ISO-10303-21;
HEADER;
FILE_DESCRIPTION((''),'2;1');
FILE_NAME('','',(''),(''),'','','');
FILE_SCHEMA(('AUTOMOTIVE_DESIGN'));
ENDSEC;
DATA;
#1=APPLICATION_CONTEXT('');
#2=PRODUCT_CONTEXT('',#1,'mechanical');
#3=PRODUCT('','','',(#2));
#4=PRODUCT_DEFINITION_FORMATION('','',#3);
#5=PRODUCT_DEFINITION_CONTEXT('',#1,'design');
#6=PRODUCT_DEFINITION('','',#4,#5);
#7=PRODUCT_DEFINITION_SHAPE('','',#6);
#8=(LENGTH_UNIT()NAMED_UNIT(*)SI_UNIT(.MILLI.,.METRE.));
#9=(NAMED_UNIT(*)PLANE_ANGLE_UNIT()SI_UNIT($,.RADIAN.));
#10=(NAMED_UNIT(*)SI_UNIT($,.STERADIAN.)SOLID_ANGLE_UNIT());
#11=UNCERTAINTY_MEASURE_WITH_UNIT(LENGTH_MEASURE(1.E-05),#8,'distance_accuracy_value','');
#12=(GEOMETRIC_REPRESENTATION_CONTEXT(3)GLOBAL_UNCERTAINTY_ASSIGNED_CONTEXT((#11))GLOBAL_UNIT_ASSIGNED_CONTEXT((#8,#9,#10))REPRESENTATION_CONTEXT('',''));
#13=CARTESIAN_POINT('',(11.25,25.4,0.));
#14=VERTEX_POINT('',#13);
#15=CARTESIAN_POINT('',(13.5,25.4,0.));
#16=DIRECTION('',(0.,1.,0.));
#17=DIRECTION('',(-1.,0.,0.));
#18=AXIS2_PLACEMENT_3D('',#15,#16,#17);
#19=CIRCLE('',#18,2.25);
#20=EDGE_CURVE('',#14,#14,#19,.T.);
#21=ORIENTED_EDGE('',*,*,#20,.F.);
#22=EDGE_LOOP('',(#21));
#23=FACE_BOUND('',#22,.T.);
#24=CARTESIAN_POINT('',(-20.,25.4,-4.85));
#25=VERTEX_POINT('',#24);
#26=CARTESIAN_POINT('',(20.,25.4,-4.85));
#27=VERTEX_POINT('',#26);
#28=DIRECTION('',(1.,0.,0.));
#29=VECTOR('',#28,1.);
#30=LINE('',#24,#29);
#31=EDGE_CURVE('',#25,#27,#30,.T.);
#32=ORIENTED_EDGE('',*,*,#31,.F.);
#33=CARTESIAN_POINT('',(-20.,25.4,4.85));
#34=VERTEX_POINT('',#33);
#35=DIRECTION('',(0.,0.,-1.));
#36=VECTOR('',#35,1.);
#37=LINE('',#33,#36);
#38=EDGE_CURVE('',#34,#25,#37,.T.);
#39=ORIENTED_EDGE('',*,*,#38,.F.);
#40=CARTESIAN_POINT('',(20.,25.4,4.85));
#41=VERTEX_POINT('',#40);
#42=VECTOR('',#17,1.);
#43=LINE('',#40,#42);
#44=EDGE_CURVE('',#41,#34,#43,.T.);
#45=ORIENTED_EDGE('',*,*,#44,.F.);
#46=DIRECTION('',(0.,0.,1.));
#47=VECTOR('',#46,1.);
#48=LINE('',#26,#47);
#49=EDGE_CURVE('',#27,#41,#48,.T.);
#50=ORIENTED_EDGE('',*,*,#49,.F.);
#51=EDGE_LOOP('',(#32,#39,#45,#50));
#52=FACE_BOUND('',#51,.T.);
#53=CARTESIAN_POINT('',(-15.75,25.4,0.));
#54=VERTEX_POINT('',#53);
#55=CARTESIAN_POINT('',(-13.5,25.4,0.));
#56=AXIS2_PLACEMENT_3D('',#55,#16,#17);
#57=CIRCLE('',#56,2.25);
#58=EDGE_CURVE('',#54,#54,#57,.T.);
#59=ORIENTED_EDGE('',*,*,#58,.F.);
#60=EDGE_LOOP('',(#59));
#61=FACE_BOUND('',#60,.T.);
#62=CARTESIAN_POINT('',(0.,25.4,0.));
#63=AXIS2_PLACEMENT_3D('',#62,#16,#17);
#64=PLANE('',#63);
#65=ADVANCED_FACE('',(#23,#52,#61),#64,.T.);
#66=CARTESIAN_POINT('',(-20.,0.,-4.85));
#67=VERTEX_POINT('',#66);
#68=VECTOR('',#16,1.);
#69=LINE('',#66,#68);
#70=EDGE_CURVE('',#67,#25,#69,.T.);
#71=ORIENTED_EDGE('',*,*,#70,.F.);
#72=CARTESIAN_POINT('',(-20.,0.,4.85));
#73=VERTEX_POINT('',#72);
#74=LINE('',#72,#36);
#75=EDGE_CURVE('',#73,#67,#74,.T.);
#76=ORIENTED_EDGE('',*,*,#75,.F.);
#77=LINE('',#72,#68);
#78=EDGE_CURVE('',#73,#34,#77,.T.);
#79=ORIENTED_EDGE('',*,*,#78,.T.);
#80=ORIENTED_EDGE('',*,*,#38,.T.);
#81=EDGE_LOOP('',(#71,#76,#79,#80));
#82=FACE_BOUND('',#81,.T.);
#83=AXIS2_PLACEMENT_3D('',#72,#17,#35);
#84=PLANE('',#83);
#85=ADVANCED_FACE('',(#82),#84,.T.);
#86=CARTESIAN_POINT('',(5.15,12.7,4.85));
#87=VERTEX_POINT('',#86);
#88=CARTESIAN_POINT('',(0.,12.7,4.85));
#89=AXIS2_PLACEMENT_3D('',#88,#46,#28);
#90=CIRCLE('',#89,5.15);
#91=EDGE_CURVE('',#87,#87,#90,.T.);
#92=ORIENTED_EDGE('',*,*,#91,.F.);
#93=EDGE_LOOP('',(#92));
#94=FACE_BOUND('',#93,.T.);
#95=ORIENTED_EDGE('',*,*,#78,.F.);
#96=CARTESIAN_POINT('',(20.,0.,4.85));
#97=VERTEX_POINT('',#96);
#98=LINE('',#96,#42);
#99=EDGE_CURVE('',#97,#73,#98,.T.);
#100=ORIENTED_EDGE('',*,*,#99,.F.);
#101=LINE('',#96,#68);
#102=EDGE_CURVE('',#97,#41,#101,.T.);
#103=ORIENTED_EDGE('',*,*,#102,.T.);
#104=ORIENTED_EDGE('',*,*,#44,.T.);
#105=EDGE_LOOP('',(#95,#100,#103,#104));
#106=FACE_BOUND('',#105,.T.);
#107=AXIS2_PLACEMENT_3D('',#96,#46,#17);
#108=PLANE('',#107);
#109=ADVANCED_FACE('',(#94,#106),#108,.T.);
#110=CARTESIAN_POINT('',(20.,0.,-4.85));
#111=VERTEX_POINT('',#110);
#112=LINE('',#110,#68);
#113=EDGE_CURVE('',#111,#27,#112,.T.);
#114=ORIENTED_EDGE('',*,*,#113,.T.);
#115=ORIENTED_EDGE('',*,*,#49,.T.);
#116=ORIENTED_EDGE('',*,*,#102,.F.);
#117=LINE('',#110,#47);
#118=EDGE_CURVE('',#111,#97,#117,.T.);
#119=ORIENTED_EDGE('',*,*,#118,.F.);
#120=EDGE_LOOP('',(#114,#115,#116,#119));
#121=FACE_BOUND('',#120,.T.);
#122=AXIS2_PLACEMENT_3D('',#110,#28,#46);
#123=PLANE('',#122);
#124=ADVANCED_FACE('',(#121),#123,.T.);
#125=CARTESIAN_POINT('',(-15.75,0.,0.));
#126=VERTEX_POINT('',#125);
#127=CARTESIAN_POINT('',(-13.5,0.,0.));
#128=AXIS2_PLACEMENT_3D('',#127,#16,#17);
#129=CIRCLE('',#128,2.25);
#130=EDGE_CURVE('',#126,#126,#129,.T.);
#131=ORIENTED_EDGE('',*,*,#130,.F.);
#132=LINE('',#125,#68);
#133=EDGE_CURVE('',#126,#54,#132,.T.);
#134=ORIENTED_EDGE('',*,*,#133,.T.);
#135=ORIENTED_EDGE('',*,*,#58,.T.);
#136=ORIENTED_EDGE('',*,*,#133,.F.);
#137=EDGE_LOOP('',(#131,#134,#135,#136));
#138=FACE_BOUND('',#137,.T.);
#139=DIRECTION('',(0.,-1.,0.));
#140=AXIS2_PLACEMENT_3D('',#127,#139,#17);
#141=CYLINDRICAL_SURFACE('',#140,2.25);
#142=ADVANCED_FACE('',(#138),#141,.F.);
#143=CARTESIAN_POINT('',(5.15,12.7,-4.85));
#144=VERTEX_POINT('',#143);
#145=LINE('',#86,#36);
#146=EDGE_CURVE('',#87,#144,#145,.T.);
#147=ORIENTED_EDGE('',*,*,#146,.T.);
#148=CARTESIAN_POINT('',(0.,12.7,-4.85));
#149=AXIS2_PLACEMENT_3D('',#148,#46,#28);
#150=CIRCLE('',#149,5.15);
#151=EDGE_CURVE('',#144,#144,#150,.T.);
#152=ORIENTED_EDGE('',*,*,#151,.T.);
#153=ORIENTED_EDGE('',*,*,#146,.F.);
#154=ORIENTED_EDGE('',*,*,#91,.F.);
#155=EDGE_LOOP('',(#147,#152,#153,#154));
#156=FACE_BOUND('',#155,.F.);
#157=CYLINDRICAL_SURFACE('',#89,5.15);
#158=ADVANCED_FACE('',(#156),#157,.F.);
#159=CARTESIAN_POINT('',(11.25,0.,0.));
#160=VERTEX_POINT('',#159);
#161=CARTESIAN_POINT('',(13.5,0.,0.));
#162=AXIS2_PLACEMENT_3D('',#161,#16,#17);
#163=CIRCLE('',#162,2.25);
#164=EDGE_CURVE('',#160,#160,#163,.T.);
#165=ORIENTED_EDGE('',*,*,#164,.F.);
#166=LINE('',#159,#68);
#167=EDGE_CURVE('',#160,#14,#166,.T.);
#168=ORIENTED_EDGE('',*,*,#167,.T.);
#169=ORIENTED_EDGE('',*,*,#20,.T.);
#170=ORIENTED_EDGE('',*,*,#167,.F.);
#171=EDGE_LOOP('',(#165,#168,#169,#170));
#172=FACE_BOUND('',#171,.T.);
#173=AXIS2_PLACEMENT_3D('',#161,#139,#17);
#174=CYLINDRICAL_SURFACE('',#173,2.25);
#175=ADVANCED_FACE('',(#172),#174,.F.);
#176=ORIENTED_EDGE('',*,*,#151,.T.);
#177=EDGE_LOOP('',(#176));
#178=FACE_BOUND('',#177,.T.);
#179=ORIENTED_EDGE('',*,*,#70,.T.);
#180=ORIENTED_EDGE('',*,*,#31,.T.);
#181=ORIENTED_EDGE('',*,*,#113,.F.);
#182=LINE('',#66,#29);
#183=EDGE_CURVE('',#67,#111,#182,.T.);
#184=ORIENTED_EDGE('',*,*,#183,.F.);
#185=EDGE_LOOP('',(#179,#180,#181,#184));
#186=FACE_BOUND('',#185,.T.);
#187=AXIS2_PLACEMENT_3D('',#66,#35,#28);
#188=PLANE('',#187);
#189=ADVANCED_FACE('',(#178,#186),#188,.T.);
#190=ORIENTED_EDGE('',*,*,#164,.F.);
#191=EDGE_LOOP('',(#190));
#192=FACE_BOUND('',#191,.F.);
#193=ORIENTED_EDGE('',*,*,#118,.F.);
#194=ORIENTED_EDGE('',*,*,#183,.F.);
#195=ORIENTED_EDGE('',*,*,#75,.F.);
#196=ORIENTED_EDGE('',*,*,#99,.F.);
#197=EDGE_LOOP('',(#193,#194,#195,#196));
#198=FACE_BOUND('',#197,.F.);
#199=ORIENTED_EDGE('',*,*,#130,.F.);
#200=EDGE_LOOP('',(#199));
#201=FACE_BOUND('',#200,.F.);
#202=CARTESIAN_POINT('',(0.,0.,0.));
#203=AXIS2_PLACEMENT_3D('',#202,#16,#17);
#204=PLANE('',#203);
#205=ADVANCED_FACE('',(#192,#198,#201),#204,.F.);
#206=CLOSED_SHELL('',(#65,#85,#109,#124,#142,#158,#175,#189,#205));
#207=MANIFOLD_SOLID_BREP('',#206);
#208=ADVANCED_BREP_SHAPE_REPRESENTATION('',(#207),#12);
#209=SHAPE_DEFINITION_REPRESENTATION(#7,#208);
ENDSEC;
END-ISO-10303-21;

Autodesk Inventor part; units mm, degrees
ref_plane "YZ Plane" through (0, 0, 0) normal (1, 0, 0) x (0, 1, 0)
ref_plane "XZ Plane" through (0, 0, 0) normal (0, 1, 0) x (-1, 0, 0)
ref_plane "XY Plane" through (0, 0, 0) normal (0, 0, 1) x (1, 0, 0)
sketch "Sketch1" plane through (0, 0, 0) normal (0, 1, 0) x (-1, 0, 0)
  line L0 (20, -4.85) -> (-20, -4.85)
  line L1 (-20, -4.85) -> (-20, 4.85)
  line L2 (-20, 4.85) -> (20, 4.85)
  line L3 (20, 4.85) -> (20, -4.85)
  line L4 (0, -4.85) -> (0, 4.85) construction
  line L5 (20, 0) -> (-20, 0) construction
  circle A0 centre (13.5, 0) radius 2.25
  circle A1 centre (-13.5, 0) radius 2.25
  point P0 (0, 0)
  point P1 (0, 0)
  dimension "d0" = 40
  dimension "d1" = 9.7
  dimension "d2" = 4.5
  dimension "d3" = 27
extrude "Extrusion1" add sketch "Sketch1" along normal blind 25.4
sketch "Sketch2" plane through (-20, 0, 4.85) normal (0, 0, 1) x (1, 0, 0)
  line L0 (0, 0) -> (0, 25.4) construction
  line L1 (0, 12.7) -> (40, 12.7) construction
  line L2 (40, 0) -> (40, 25.4) construction
  line L3 (20, 0) -> (20, 25.4) construction
  line L4 (0, 25.4) -> (40, 25.4) construction
  circle A0 centre (20, 12.7) radius 5.15
  dimension "d6" = 10.3
extrude "Extrusion2" cut sketch "Sketch2" against normal through all
properties part number "T8_NUT_HOUSING"
